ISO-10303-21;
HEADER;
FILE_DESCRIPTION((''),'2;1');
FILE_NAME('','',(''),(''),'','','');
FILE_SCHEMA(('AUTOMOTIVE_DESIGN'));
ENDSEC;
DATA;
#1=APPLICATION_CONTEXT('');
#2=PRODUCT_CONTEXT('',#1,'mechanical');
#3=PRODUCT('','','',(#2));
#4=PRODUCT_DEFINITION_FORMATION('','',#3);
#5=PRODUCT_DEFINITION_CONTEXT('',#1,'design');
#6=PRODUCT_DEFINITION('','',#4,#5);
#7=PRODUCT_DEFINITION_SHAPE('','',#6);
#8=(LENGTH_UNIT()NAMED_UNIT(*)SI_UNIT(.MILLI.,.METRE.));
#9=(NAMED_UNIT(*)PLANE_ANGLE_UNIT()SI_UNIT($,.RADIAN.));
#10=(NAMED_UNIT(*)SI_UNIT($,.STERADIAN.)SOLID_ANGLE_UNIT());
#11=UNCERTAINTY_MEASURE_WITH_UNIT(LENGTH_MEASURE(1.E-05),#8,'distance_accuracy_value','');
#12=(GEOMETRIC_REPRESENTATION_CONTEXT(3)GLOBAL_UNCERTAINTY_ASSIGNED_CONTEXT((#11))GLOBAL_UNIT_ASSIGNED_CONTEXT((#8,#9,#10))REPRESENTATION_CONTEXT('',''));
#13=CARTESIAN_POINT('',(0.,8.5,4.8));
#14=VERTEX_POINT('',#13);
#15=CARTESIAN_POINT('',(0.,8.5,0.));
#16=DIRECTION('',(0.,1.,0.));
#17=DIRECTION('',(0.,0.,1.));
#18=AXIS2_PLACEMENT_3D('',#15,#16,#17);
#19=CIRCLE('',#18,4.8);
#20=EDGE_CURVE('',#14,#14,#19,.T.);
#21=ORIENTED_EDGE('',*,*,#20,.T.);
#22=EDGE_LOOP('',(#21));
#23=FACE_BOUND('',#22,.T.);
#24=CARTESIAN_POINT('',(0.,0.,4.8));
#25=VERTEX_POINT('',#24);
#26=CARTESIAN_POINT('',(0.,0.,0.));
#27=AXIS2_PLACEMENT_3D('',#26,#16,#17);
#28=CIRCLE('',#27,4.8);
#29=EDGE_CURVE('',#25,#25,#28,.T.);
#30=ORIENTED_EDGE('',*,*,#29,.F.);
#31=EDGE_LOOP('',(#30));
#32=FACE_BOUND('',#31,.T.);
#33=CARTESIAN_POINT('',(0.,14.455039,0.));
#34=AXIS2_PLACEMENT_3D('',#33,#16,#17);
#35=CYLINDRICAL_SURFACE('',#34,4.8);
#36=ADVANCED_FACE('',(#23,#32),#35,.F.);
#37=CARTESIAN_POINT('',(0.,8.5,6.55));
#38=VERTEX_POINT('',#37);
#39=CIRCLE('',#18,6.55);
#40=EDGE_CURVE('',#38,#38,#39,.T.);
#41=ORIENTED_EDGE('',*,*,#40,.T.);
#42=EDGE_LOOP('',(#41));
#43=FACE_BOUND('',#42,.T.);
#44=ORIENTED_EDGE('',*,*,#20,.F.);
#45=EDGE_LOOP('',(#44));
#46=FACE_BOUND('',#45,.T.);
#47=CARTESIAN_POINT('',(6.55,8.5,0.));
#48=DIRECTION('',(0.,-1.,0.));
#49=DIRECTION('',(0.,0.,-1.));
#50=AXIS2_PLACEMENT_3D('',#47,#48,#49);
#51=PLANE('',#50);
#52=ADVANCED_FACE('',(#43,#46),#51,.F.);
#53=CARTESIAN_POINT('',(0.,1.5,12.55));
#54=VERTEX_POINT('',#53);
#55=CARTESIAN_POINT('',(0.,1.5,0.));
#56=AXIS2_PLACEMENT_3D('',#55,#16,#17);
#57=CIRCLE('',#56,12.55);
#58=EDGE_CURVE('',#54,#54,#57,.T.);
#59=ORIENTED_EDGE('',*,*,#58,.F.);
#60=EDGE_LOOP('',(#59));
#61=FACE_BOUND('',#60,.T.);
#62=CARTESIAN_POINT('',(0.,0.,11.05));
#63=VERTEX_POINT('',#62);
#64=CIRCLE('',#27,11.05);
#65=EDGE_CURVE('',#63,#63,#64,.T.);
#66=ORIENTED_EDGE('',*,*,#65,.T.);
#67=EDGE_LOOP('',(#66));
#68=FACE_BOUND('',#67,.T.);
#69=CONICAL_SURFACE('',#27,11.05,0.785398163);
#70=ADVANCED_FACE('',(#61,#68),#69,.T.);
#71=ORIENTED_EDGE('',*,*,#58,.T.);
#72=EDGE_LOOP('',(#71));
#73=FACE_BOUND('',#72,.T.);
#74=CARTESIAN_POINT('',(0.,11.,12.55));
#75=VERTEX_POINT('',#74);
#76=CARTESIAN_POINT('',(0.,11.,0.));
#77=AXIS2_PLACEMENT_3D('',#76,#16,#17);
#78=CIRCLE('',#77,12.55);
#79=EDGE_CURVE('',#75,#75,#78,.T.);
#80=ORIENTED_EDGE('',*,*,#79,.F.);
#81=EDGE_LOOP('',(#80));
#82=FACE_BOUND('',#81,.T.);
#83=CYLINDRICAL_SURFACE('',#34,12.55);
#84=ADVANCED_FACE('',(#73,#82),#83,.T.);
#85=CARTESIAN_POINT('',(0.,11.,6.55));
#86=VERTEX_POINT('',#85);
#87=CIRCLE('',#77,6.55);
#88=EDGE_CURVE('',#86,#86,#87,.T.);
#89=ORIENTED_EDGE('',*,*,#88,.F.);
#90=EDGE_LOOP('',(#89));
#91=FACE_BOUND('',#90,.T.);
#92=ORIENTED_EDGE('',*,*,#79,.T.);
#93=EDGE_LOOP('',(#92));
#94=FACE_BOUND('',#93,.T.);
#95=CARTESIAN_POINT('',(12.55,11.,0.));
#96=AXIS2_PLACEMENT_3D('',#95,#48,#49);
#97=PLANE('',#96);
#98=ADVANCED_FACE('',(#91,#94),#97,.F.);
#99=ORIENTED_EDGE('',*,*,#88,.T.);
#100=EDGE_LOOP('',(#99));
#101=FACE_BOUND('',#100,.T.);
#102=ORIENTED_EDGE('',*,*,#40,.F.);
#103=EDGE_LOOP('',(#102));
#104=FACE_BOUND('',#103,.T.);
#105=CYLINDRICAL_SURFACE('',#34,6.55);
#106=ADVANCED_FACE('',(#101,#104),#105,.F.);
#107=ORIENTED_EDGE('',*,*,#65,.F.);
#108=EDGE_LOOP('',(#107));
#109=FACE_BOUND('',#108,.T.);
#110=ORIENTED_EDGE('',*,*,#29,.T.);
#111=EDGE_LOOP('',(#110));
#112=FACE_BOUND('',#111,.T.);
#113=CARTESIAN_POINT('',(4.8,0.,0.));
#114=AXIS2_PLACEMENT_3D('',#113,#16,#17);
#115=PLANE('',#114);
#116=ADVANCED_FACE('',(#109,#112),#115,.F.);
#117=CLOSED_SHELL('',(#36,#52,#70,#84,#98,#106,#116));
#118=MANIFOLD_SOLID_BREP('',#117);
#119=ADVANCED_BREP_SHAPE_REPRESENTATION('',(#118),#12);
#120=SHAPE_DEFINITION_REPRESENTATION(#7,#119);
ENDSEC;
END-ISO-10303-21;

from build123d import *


with BuildPart() as part:
    # Sketch2 → Revolve1 (revolve)
    with BuildSketch(Plane.XY, mode=Mode.PRIVATE) as revolve1_sk:
        Polygon((4.8, 0), (11.05, 0), (12.55, 1.5), (12.55, 11), (6.55, 11), (6.55, 8.5), (4.8, 8.5), align=None)
    revolve(revolve1_sk.sketch.rotate(Axis((0, 14.455038712, 0), (0, -1, 0)), 90), axis=Axis((0, 14.455038712, 0), (0, -1, 0)))


solid = part.part
